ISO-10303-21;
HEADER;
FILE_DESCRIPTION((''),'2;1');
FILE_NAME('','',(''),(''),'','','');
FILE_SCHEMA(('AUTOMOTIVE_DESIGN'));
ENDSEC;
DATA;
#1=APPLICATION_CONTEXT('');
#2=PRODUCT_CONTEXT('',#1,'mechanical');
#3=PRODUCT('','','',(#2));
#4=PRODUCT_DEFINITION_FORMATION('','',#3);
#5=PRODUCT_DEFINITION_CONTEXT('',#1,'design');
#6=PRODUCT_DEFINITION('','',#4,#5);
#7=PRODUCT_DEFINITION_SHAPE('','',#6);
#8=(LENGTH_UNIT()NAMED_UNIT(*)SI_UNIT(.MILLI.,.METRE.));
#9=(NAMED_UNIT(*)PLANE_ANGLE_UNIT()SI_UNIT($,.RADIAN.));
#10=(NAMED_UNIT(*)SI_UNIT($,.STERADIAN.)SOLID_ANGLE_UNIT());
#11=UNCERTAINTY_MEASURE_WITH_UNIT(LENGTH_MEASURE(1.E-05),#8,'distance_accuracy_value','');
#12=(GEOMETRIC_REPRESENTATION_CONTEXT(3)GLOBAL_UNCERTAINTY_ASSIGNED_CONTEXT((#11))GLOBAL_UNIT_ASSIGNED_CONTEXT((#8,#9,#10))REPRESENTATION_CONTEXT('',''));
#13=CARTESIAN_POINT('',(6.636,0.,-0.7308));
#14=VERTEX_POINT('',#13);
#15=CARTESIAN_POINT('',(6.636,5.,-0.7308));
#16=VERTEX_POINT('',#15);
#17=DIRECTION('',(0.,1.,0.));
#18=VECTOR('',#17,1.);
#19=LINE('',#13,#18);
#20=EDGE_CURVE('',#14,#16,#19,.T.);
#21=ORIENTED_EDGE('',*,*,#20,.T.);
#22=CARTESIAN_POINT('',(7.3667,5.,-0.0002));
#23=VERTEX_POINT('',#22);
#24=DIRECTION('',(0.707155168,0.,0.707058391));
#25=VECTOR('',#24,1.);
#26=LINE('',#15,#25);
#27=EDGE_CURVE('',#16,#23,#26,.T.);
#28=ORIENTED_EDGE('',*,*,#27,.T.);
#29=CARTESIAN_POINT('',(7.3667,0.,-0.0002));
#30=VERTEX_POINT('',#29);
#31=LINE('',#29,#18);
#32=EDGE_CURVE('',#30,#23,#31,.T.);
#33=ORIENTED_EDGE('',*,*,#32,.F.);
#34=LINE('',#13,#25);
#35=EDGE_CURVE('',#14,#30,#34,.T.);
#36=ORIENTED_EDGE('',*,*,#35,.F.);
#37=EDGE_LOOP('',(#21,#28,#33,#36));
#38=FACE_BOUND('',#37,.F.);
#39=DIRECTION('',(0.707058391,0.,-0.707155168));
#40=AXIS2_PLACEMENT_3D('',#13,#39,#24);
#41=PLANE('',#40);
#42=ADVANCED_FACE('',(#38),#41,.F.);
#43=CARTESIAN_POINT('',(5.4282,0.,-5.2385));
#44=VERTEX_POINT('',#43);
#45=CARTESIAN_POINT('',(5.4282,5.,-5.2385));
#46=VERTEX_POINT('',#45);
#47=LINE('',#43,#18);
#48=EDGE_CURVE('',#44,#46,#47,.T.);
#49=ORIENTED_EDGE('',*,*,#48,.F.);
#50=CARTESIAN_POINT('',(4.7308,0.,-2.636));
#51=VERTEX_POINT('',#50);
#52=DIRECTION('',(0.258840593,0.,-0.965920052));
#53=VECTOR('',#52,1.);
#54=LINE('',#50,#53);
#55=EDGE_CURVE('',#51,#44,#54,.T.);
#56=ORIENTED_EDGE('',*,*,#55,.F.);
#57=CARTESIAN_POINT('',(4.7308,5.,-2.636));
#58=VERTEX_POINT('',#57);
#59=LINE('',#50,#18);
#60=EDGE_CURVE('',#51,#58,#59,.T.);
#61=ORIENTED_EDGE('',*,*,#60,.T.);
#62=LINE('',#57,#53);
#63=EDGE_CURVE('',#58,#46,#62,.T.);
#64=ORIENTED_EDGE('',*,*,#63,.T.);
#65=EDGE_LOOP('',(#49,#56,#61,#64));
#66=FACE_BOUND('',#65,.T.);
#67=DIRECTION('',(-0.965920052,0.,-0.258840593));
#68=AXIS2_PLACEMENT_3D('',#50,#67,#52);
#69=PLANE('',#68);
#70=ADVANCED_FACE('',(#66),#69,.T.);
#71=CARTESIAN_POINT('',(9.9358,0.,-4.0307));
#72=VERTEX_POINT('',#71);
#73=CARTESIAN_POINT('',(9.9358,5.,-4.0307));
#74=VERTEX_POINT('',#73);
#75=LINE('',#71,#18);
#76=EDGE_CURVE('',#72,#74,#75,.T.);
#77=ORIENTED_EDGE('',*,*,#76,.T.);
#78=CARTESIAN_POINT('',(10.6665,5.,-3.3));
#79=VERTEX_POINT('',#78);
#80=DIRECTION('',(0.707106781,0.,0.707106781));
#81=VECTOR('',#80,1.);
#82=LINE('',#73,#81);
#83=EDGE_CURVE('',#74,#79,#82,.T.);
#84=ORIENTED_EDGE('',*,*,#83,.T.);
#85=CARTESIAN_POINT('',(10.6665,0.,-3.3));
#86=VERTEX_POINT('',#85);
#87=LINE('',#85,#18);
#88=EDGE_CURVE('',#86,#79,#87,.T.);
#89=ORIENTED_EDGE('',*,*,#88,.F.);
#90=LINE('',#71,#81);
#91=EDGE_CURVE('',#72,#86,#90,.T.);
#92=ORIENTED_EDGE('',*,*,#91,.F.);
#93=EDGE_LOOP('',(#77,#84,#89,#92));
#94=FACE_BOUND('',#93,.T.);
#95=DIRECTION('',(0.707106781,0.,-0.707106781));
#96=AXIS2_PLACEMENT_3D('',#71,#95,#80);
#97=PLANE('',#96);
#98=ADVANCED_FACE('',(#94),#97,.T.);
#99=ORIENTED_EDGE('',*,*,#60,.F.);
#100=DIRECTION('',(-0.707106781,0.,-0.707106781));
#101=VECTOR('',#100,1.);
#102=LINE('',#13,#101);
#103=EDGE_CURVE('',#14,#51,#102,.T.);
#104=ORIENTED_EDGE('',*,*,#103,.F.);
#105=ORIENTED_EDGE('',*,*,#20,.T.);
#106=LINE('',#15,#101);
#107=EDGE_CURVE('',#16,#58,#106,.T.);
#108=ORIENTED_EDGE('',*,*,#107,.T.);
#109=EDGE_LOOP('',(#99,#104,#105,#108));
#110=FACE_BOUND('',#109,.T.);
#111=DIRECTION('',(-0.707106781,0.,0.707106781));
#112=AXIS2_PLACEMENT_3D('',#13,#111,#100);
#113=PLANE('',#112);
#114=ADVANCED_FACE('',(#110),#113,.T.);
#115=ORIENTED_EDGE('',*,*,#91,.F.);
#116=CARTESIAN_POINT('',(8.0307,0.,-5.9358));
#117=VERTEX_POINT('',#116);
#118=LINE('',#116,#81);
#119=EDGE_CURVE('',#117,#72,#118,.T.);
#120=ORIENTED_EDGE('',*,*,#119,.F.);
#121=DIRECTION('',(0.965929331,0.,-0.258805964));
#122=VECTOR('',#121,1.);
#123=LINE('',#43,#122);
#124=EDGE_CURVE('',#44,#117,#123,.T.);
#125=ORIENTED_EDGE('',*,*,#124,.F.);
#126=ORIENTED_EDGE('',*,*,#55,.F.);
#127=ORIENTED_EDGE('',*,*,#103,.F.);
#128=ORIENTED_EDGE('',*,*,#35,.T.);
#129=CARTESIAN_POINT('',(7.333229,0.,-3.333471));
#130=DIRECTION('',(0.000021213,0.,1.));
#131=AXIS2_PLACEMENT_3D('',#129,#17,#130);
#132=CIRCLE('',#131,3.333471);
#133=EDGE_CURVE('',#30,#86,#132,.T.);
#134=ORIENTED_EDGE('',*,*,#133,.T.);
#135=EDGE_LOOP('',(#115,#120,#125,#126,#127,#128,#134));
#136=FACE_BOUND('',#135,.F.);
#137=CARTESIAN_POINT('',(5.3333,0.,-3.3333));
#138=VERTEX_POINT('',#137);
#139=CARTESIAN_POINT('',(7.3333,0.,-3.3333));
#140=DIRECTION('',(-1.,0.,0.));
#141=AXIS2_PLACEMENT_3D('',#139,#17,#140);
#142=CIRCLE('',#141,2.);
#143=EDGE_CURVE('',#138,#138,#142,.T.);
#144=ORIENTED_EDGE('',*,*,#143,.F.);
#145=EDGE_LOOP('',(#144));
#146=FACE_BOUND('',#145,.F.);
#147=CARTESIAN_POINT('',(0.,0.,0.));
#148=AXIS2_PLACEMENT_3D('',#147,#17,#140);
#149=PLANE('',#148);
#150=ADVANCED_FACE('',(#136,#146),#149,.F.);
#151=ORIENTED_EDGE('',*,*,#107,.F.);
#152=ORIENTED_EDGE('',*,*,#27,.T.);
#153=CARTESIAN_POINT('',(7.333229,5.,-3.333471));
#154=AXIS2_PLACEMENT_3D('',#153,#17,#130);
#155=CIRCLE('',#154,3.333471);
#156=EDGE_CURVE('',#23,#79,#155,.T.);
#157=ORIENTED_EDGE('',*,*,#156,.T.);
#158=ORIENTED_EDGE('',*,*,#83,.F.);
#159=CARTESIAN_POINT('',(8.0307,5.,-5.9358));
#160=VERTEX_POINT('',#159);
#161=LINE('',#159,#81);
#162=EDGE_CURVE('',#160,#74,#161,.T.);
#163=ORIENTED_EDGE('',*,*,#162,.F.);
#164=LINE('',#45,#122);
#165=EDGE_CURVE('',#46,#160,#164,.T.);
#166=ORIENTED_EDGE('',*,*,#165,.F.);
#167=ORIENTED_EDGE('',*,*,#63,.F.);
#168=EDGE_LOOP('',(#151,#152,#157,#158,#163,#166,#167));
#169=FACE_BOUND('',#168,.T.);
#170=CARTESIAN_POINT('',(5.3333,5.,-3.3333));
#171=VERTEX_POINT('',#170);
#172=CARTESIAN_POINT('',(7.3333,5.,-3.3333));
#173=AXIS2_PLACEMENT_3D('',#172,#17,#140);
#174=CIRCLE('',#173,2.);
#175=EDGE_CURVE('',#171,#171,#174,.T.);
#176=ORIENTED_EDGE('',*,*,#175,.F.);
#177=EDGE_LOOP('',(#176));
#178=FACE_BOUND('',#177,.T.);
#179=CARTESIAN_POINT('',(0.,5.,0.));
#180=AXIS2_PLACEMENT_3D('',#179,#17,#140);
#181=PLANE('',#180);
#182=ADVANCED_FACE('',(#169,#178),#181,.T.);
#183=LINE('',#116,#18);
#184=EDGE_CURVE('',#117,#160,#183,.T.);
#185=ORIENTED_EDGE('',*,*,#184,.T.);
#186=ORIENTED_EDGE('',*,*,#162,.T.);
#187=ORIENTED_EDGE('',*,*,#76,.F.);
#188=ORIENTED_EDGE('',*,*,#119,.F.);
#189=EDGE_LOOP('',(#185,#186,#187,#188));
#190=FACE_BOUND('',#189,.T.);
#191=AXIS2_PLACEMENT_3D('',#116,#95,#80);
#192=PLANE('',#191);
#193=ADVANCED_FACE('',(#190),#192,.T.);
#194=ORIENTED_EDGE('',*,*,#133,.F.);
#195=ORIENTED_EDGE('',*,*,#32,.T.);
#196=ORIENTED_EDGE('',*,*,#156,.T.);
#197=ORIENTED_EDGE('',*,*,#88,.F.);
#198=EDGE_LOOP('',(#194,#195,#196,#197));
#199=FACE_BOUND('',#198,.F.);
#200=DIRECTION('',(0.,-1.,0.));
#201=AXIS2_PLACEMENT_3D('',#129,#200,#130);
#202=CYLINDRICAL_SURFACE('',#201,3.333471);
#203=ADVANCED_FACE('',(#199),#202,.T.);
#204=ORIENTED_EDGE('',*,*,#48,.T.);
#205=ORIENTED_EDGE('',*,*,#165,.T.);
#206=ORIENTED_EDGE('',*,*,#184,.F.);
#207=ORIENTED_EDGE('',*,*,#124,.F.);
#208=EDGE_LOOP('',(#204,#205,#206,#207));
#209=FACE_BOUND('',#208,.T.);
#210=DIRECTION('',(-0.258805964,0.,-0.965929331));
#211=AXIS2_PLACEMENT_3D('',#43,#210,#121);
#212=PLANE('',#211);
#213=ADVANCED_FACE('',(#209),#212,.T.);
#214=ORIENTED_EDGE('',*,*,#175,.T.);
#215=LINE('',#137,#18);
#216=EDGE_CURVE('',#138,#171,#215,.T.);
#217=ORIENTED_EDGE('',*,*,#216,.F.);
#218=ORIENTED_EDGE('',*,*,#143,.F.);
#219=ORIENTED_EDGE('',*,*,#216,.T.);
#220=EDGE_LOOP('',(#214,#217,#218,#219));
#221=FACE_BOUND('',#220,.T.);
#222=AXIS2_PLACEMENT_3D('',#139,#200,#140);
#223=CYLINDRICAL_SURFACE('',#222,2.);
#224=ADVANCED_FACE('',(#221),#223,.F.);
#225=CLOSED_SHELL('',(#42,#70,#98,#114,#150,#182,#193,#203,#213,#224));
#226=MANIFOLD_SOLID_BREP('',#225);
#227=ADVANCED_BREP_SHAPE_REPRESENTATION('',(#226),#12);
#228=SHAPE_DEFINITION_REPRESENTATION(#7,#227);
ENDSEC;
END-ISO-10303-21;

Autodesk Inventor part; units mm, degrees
ref_plane "YZ Plane" through (0, 0, 0) normal (1, 0, 0) x (0, 1, 0)
ref_plane "XZ Plane" through (0, 0, 0) normal (0, 1, 0) x (-1, 0, 0)
ref_plane "XY Plane" through (0, 0, 0) normal (0, 0, 1) x (1, 0, 0)
sketch "Sketch1" plane through (0, 0, 0) normal (0, 1, 0) x (-1, 0, 0)
  arc A0 (-7.3333, 0) -> (-10.6667, -3.3333) centre (-7.3333, -3.3333) ccw
  arc A1 (-7.3333, 0) -> (-7.3667, -0.0002) centre (-7.3333, -3.3333) ccw
  line L0 (-5.4282, -5.2385) -> (-8.0307, -5.9358)
  line L1 (-8.0307, -5.9358) -> (-5.4282, -5.2385)
  line L2 (-8.0307, -5.9358) -> (-9.9358, -4.0307)
  line L3 (-6.636, -0.7308) -> (-4.7308, -2.636)
  line L4 (-4.7308, -2.636) -> (-5.4282, -5.2385)
  line L5 (-8.0307, -5.9358) -> (-9.9358, -4.0307)
  line L6 (-6.636, -0.7308) -> (-4.7308, -2.636)
  line L7 (-6.636, -0.7308) -> (-7.3667, -0.0002)
  line L8 (-9.9358, -4.0307) -> (-10.6665, -3.3)
  arc A2 (-10.6665, -3.3) -> (-10.6667, -3.3333) centre (-7.3333, -3.3333) ccw
  arc A3 (-7.3667, -0.0002) -> (-10.6665, -3.3) centre (-7.3333, -3.3333) ccw construction
  circle A4 centre (-7.3333, -3.3333) radius 2
  point P0 (0, 0)
  dimension "d2" = 4
extrude "Extrusion1" add sketch "Sketch1" along normal blind 5
properties part number "NutInserperFilling" material "Nylon 6/6"
